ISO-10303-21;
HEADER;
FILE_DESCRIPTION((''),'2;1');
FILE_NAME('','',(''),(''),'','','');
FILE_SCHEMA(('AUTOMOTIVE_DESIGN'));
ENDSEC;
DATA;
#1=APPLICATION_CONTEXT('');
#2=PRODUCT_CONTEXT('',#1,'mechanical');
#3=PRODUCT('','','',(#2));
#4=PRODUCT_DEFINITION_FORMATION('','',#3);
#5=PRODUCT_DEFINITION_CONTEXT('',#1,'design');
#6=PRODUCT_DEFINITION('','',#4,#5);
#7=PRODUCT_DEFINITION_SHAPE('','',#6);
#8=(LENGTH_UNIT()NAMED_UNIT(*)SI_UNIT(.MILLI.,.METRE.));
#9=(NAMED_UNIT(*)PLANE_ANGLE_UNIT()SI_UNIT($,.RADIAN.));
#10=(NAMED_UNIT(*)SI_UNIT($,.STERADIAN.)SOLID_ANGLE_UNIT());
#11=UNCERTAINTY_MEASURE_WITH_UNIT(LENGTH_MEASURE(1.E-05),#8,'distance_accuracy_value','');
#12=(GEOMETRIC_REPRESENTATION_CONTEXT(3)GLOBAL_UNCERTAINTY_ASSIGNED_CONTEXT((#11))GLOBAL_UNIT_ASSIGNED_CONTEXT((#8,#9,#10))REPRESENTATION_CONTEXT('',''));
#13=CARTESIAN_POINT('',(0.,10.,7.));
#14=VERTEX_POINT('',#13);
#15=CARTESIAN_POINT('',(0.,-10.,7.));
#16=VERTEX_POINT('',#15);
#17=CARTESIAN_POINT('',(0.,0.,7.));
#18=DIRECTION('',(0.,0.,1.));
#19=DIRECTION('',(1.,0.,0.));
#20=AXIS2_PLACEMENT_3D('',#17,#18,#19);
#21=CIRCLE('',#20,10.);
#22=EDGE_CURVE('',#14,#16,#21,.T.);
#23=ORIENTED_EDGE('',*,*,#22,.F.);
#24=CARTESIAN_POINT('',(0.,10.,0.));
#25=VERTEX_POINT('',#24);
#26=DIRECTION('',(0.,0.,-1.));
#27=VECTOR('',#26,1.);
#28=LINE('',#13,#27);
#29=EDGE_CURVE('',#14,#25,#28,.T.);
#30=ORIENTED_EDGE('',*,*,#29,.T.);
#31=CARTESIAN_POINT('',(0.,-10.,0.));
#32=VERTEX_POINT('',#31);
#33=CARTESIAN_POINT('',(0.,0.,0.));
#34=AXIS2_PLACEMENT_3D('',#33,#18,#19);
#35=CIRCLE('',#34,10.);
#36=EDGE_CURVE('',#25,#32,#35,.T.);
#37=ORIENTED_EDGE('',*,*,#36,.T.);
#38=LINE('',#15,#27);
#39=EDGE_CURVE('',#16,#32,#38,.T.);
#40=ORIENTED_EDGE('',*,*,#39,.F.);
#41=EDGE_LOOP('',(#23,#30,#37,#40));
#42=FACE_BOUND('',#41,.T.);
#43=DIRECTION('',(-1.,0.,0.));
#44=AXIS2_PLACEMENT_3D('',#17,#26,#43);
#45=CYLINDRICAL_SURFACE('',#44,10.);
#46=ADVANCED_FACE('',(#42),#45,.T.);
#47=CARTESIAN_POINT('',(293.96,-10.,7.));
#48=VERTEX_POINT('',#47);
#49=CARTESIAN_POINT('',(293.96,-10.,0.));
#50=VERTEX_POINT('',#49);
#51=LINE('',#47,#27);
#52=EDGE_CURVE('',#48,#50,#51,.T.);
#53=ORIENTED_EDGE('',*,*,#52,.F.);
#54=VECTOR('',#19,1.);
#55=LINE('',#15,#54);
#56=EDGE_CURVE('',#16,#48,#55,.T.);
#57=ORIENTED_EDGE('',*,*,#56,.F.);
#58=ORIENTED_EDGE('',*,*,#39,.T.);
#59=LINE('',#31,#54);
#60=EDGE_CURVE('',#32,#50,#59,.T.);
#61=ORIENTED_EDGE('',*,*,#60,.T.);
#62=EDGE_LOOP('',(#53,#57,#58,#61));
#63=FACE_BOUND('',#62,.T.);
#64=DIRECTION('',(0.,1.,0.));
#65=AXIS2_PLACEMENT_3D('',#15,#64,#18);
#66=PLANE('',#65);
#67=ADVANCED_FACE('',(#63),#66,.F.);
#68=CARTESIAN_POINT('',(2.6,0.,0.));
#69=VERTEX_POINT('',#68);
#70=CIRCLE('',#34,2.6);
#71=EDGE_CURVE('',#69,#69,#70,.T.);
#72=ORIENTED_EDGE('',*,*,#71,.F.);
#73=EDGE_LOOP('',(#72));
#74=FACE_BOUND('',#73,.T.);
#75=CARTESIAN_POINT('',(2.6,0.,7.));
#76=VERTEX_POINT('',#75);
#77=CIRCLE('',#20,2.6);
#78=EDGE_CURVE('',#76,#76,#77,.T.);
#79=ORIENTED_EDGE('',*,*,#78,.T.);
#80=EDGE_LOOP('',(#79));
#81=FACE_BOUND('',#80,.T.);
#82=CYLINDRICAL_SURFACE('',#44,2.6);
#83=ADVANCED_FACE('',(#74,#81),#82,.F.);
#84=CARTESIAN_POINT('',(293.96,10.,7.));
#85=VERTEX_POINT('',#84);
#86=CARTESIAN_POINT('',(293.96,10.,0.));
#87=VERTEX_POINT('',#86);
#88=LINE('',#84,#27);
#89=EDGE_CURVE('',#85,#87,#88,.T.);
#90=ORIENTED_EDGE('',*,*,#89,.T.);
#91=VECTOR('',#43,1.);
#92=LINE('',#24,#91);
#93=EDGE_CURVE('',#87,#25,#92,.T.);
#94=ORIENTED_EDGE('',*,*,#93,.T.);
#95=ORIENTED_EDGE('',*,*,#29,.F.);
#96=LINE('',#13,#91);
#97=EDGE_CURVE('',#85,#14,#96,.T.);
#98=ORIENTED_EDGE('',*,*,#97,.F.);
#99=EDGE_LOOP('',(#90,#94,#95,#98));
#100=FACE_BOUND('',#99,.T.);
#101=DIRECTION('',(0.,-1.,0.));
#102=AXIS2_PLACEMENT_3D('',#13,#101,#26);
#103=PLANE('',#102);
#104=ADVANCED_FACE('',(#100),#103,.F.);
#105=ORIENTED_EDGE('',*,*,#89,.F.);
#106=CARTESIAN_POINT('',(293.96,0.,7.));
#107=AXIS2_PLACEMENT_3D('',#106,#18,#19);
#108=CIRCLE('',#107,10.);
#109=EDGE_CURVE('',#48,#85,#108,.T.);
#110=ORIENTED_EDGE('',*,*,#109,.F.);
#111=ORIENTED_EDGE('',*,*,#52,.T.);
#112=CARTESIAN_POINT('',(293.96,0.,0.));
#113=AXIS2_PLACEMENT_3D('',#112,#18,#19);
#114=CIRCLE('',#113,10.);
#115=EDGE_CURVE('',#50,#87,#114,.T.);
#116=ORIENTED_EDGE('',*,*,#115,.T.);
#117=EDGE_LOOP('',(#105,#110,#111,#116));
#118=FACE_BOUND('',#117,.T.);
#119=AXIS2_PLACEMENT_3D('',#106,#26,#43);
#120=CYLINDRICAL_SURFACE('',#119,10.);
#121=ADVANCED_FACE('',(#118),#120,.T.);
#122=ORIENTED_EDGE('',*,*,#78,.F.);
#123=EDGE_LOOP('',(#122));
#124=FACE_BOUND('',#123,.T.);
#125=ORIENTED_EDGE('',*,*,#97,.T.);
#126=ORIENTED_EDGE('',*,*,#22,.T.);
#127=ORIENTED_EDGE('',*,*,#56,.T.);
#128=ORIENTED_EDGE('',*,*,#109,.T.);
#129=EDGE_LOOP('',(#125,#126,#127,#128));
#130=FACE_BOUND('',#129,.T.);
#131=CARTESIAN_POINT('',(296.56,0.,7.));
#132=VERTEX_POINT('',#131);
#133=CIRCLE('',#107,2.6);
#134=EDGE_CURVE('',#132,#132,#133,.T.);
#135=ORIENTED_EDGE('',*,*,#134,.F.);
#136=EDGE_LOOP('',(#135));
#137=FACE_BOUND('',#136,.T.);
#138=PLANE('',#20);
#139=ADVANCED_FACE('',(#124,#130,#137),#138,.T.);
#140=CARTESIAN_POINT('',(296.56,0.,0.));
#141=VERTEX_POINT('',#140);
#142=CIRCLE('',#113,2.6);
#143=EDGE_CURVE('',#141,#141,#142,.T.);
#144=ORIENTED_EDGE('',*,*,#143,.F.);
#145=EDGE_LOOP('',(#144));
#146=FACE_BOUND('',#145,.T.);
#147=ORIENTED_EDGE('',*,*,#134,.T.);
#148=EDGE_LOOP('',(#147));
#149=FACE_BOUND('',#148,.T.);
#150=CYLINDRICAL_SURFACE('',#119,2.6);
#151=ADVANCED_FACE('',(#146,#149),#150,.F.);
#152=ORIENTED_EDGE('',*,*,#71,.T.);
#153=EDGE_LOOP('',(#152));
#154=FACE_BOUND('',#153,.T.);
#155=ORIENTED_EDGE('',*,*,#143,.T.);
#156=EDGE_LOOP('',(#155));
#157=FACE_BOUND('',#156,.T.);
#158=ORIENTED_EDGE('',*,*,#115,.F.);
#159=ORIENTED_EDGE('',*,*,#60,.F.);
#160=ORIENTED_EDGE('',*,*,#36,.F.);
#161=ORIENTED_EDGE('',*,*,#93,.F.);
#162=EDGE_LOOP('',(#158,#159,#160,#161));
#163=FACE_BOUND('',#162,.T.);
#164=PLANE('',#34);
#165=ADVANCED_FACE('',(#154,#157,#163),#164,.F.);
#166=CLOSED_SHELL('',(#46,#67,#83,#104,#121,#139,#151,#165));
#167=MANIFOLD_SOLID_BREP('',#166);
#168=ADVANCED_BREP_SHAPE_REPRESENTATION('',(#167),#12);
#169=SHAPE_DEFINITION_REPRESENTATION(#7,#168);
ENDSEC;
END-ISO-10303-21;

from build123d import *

# Parameters (mm, degrees)
SKETCH_1_R      = 2.6
EXTRUDE_1_DEPTH = 7


with BuildPart() as part:
    # 草图1 → 凸台-拉伸1 (new body)
    with BuildSketch(Plane.XY):
        with BuildLine():
            Line((0, 10), (293.96, 10))
            ThreePointArc((293.96, 10), (303.96, 0), (293.96, -10))
            Line((293.96, -10), (0, -10))
            ThreePointArc((0, -10), (-10, 0), (0, 10))
        make_face()
        Circle(SKETCH_1_R, mode=Mode.SUBTRACT)
        with Locations((293.96, 0)):
            Circle(SKETCH_1_R, mode=Mode.SUBTRACT)
    extrude(amount=EXTRUDE_1_DEPTH)


solid = part.part
